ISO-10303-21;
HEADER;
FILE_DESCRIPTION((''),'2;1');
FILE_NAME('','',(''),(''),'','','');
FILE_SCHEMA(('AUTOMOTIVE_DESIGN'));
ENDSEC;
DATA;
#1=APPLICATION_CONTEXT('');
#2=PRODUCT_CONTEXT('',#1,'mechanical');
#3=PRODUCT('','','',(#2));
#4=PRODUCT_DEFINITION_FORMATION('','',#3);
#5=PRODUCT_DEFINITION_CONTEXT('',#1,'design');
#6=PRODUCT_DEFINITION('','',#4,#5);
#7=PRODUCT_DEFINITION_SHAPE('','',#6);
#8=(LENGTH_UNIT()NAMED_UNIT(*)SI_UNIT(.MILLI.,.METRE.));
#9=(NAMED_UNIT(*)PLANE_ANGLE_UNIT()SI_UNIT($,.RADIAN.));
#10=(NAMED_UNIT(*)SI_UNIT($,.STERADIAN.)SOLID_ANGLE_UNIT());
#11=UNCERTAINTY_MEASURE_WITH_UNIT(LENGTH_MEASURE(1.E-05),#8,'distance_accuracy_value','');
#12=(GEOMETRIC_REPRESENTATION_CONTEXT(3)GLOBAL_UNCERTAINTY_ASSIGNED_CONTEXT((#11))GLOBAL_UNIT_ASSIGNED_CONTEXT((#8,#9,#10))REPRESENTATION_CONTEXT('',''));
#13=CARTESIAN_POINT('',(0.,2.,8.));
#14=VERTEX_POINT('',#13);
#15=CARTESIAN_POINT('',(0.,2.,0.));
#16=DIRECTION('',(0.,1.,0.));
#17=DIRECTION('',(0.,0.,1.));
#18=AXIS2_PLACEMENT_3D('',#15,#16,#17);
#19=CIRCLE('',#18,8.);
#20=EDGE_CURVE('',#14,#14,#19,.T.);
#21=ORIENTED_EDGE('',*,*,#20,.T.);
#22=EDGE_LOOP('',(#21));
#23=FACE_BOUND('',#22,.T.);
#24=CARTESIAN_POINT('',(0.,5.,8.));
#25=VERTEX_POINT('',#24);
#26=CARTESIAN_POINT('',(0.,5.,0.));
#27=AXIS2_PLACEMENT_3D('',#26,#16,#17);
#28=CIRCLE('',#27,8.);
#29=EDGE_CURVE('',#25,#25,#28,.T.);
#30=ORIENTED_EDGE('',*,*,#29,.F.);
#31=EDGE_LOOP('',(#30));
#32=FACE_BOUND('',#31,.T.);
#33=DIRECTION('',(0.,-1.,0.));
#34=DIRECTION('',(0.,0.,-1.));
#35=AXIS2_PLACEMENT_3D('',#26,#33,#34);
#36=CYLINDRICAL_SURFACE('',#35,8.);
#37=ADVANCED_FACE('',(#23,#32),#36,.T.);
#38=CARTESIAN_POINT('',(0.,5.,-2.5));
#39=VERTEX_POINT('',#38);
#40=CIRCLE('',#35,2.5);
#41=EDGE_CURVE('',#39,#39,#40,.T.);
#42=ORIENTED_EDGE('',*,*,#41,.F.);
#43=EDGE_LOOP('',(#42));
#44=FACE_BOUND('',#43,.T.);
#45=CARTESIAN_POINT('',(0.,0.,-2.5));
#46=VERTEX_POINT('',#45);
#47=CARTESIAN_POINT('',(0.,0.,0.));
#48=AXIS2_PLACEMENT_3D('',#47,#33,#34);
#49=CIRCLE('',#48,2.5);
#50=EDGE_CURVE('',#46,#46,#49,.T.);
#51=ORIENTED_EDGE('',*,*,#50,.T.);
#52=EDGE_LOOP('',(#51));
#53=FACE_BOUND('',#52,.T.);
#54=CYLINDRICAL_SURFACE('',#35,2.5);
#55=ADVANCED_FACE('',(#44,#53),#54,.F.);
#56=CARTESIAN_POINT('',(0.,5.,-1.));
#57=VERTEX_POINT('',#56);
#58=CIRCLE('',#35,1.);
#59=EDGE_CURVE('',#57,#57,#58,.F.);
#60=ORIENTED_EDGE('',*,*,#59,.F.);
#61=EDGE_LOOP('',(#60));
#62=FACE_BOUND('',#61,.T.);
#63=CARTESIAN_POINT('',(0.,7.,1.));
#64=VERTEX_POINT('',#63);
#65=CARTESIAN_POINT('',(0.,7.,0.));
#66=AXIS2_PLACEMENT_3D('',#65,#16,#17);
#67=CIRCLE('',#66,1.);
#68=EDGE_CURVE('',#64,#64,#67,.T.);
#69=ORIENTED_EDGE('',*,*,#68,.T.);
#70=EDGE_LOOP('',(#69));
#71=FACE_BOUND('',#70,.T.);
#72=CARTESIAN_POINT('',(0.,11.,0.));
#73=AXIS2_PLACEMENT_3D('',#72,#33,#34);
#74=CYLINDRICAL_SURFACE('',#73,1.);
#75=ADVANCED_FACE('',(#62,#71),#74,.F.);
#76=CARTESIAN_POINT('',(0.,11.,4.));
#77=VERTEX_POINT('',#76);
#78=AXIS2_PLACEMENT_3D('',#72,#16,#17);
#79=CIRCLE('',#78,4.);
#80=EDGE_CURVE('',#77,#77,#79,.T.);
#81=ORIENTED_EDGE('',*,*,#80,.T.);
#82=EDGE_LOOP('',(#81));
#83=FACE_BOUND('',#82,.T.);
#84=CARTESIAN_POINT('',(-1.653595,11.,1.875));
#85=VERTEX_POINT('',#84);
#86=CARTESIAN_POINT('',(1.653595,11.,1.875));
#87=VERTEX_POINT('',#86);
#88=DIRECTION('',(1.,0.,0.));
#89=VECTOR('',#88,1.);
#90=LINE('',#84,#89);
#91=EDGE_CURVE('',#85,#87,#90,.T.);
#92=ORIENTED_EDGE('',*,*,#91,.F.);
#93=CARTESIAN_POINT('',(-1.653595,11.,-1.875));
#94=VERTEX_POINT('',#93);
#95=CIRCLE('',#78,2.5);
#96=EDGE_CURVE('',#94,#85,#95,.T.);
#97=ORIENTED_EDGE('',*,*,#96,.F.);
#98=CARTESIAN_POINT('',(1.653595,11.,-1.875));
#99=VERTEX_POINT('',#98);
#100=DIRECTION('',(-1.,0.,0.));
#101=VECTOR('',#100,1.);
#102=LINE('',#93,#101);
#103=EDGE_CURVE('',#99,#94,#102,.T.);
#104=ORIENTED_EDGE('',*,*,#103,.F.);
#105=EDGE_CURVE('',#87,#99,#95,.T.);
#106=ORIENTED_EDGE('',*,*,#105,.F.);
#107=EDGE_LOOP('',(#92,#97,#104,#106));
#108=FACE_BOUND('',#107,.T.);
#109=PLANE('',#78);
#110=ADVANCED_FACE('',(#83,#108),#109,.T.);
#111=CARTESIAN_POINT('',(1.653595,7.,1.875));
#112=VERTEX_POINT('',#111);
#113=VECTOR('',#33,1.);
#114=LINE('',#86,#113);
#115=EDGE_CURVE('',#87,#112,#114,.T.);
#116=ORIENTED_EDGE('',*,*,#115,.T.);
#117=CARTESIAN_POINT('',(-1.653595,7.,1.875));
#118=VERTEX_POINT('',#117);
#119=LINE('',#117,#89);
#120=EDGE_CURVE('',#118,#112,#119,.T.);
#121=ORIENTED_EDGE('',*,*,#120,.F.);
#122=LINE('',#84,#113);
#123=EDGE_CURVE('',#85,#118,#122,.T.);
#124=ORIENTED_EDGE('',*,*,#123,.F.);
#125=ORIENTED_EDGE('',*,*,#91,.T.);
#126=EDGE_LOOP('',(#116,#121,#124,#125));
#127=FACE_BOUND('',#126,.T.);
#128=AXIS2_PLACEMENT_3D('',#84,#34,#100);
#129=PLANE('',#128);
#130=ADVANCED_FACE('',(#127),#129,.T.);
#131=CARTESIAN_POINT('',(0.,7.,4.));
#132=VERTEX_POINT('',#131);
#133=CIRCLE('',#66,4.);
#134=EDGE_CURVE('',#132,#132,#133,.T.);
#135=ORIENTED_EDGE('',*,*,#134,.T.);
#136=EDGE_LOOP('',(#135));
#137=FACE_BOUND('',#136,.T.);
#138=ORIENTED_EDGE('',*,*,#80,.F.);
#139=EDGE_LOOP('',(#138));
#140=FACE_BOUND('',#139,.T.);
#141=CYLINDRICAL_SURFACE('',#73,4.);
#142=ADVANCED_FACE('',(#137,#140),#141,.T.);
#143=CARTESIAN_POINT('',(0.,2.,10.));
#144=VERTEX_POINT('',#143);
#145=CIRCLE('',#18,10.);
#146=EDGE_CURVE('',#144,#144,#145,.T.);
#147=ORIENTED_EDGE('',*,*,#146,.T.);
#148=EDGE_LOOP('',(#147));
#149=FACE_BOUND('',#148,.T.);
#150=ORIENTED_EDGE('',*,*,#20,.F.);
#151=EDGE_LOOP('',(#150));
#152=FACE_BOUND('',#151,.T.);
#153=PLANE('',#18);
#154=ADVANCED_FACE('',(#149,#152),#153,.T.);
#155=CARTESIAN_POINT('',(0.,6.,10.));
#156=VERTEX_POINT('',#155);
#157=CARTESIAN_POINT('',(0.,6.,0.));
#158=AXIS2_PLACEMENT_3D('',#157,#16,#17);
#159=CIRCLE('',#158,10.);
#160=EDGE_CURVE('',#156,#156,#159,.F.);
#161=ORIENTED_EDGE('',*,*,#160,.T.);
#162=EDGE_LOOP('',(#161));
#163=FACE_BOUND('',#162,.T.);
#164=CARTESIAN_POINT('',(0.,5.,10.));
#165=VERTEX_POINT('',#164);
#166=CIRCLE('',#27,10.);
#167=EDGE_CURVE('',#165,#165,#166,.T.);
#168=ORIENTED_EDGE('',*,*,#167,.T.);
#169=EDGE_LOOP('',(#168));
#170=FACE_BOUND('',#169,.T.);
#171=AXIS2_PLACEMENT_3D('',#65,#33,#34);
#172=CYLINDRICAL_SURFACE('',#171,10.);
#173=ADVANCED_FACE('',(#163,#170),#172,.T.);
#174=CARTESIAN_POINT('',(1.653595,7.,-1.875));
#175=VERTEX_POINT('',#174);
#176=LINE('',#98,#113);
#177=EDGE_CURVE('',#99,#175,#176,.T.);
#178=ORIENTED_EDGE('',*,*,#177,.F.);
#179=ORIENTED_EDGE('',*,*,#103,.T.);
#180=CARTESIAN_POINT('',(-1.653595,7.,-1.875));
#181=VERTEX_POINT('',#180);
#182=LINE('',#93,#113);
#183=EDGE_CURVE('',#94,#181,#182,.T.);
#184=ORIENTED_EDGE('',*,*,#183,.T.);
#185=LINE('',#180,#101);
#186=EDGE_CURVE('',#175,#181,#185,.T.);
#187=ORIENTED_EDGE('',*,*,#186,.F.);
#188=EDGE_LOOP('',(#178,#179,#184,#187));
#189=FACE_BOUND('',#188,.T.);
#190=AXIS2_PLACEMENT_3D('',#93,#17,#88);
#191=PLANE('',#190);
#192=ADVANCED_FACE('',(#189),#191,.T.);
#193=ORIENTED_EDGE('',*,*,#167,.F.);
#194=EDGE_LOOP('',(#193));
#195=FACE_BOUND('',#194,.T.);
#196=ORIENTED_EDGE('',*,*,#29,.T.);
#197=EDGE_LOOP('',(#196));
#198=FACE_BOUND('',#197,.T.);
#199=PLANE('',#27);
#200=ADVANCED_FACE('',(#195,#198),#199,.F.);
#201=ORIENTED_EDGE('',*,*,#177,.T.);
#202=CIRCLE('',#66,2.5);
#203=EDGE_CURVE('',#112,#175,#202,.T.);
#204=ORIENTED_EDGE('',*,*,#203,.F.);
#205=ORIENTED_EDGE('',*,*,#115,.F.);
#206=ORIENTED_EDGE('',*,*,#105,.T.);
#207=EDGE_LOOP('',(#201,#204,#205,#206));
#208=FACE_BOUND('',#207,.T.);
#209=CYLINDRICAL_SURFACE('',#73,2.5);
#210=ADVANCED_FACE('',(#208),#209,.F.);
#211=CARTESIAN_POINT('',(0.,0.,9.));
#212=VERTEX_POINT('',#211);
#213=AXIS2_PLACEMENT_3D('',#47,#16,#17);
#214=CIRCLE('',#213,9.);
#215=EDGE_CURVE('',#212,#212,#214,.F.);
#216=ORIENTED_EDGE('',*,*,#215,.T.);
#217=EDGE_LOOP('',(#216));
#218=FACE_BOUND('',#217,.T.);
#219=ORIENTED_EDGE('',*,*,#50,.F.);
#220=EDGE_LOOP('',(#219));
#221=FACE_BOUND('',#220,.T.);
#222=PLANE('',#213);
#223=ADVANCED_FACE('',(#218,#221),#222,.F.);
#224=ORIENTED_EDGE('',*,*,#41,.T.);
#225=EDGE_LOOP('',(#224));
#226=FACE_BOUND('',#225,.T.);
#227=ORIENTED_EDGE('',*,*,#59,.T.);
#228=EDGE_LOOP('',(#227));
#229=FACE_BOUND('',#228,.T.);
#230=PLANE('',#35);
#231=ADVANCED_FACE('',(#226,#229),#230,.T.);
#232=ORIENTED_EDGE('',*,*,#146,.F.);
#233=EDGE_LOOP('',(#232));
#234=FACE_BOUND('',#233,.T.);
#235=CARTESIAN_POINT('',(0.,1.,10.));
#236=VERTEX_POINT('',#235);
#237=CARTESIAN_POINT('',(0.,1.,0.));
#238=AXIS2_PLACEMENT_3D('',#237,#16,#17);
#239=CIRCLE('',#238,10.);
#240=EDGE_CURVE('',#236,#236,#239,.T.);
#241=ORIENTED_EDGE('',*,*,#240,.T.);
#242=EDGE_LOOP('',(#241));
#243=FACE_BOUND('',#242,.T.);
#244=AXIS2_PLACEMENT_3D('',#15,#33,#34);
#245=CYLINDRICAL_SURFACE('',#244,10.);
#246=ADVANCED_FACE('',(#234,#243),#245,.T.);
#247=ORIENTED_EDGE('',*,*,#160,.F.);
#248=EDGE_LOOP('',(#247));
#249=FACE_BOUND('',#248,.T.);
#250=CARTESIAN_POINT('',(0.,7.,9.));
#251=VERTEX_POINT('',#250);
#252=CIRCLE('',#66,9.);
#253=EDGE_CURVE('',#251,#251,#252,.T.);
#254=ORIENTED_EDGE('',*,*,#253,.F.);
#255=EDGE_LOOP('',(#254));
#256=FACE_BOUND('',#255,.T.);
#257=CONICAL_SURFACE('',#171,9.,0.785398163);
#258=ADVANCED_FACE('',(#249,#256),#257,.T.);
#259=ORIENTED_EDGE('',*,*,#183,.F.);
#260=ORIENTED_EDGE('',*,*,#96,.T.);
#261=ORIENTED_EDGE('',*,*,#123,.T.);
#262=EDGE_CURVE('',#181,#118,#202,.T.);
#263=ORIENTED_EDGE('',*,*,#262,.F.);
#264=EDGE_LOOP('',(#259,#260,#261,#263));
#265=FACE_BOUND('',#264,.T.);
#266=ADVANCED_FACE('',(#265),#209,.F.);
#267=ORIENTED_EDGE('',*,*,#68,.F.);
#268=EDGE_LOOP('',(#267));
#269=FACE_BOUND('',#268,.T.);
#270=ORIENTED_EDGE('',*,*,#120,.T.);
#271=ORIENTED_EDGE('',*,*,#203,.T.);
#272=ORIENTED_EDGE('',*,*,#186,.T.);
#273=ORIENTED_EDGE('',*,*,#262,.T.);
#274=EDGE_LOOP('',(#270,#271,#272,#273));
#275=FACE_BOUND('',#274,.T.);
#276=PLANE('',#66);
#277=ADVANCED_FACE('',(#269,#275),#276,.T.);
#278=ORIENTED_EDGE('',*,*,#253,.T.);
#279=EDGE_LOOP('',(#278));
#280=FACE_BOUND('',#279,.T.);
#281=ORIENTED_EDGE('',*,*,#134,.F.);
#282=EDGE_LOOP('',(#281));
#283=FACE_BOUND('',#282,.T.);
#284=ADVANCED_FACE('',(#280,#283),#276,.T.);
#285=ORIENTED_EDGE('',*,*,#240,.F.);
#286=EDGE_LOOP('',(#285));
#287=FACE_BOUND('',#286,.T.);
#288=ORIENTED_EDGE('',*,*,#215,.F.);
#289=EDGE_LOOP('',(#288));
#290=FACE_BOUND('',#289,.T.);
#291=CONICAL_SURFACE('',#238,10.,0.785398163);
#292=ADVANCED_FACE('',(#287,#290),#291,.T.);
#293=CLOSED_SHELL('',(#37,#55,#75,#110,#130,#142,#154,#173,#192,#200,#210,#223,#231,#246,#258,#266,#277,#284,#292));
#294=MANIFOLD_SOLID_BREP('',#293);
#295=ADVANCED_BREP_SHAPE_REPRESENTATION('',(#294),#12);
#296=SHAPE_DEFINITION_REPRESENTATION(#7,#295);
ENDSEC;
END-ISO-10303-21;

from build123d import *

# Parameters (mm, degrees)
CROQUIS1_R              = 10
SALIENTE_EXTRUIR1_DEPTH = 2
CROQUIS4_R              = 8
SALIENTE_EXTRUIR2_DEPTH = 3
CROQUIS5_R              = 10
SALIENTE_EXTRUIR3_DEPTH = 2
CHAFL_N1_SIZE           = 1
CHAFL_N2_SIZE           = 1
CROQUIS7_R              = 4
SALIENTE_EXTRUIR4_DEPTH = 4
CORTAR_EXTRUIR1_DEPTH   = 16.779733838
CROQUIS8_R              = 1
CORTAR_EXTRUIR2_DEPTH   = 18.916472867
CROQUIS9_R              = 2.5
CORTAR_EXTRUIR3_DEPTH   = 5


with BuildPart() as part:
    # Croquis1 → Saliente-Extruir1 (new body)
    with BuildSketch(Plane(origin=(0, 0, 0), x_dir=(1, 0, 0), z_dir=(0, 1, 0))):
        with Locations(Location((0, 0, 0), (0, 0, 270))):
            Circle(CROQUIS1_R)
    extrude(amount=SALIENTE_EXTRUIR1_DEPTH)

    # Croquis4 → Saliente-Extruir2 (add)
    with BuildSketch(Plane(origin=(0, 2, 0), x_dir=(1, 0, 0), z_dir=(0, 1, 0))):
        with Locations(Location((0, 0, 0), (0, 0, 270))):
            Circle(CROQUIS4_R)
    extrude(amount=SALIENTE_EXTRUIR2_DEPTH)

    # Croquis5 → Saliente-Extruir3 (add)
    with BuildSketch(Plane(origin=(0, 5, 0), x_dir=(1, 0, 0), z_dir=(0, 1, 0))):
        with Locations(Location((0, 0, 0), (0, 0, 270))):
            Circle(CROQUIS5_R)
    extrude(amount=SALIENTE_EXTRUIR3_DEPTH)

    # Chaflán1
    chafl_n1_edges = [part.edges().sort_by_distance(p)[0] for p in [
        (0, 7, -10),
    ]]
    chamfer(chafl_n1_edges, length=CHAFL_N1_SIZE)

    # Chaflán2
    chafl_n2_edges = [part.edges().sort_by_distance(p)[0] for p in [
        (0, 0, -10),
    ]]
    chamfer(chafl_n2_edges, length=CHAFL_N2_SIZE)

    # Croquis7 → Saliente-Extruir4 (add)
    with BuildSketch(Plane(origin=(0, 7, 0), x_dir=(1, 0, 0), z_dir=(0, 1, 0))):
        with Locations(Location((0, 0, 0), (0, 0, 270))):
            Circle(CROQUIS7_R)
    extrude(amount=SALIENTE_EXTRUIR4_DEPTH)

    # Croquis6 → Cortar-Extruir1 (cut, through all)
    with BuildSketch(Plane(origin=(0, 7, 0), x_dir=(1, 0, 0), z_dir=(0, 1, 0))):
        with BuildLine():
            Line((-1.653594569, -1.875), (1.653594569, -1.875))
            ThreePointArc((1.653594569, -1.875), (2.5, 0), (1.653594569, 1.875))
            Line((1.653594569, 1.875), (-1.653594569, 1.875))
            ThreePointArc((-1.653594569, 1.875), (-2.5, 0), (-1.653594569, -1.875))
        make_face()
    extrude(amount=CORTAR_EXTRUIR1_DEPTH, mode=Mode.SUBTRACT)

    # Croquis8 → Cortar-Extruir2 (cut, through all)
    with BuildSketch(Plane.XZ):
        with Locations(Location((0, 0, 0), (0, 0, 270))):
            Circle(CROQUIS8_R)
    extrude(amount=-CORTAR_EXTRUIR2_DEPTH, mode=Mode.SUBTRACT)

    # Croquis9 → Cortar-Extruir3 (cut)
    with BuildSketch(Plane.XZ):
        with Locations(Location((0, 0, 0), (0, 0, 270))):
            Circle(CROQUIS9_R)
    extrude(amount=-CORTAR_EXTRUIR3_DEPTH, mode=Mode.SUBTRACT)


solid = part.part
